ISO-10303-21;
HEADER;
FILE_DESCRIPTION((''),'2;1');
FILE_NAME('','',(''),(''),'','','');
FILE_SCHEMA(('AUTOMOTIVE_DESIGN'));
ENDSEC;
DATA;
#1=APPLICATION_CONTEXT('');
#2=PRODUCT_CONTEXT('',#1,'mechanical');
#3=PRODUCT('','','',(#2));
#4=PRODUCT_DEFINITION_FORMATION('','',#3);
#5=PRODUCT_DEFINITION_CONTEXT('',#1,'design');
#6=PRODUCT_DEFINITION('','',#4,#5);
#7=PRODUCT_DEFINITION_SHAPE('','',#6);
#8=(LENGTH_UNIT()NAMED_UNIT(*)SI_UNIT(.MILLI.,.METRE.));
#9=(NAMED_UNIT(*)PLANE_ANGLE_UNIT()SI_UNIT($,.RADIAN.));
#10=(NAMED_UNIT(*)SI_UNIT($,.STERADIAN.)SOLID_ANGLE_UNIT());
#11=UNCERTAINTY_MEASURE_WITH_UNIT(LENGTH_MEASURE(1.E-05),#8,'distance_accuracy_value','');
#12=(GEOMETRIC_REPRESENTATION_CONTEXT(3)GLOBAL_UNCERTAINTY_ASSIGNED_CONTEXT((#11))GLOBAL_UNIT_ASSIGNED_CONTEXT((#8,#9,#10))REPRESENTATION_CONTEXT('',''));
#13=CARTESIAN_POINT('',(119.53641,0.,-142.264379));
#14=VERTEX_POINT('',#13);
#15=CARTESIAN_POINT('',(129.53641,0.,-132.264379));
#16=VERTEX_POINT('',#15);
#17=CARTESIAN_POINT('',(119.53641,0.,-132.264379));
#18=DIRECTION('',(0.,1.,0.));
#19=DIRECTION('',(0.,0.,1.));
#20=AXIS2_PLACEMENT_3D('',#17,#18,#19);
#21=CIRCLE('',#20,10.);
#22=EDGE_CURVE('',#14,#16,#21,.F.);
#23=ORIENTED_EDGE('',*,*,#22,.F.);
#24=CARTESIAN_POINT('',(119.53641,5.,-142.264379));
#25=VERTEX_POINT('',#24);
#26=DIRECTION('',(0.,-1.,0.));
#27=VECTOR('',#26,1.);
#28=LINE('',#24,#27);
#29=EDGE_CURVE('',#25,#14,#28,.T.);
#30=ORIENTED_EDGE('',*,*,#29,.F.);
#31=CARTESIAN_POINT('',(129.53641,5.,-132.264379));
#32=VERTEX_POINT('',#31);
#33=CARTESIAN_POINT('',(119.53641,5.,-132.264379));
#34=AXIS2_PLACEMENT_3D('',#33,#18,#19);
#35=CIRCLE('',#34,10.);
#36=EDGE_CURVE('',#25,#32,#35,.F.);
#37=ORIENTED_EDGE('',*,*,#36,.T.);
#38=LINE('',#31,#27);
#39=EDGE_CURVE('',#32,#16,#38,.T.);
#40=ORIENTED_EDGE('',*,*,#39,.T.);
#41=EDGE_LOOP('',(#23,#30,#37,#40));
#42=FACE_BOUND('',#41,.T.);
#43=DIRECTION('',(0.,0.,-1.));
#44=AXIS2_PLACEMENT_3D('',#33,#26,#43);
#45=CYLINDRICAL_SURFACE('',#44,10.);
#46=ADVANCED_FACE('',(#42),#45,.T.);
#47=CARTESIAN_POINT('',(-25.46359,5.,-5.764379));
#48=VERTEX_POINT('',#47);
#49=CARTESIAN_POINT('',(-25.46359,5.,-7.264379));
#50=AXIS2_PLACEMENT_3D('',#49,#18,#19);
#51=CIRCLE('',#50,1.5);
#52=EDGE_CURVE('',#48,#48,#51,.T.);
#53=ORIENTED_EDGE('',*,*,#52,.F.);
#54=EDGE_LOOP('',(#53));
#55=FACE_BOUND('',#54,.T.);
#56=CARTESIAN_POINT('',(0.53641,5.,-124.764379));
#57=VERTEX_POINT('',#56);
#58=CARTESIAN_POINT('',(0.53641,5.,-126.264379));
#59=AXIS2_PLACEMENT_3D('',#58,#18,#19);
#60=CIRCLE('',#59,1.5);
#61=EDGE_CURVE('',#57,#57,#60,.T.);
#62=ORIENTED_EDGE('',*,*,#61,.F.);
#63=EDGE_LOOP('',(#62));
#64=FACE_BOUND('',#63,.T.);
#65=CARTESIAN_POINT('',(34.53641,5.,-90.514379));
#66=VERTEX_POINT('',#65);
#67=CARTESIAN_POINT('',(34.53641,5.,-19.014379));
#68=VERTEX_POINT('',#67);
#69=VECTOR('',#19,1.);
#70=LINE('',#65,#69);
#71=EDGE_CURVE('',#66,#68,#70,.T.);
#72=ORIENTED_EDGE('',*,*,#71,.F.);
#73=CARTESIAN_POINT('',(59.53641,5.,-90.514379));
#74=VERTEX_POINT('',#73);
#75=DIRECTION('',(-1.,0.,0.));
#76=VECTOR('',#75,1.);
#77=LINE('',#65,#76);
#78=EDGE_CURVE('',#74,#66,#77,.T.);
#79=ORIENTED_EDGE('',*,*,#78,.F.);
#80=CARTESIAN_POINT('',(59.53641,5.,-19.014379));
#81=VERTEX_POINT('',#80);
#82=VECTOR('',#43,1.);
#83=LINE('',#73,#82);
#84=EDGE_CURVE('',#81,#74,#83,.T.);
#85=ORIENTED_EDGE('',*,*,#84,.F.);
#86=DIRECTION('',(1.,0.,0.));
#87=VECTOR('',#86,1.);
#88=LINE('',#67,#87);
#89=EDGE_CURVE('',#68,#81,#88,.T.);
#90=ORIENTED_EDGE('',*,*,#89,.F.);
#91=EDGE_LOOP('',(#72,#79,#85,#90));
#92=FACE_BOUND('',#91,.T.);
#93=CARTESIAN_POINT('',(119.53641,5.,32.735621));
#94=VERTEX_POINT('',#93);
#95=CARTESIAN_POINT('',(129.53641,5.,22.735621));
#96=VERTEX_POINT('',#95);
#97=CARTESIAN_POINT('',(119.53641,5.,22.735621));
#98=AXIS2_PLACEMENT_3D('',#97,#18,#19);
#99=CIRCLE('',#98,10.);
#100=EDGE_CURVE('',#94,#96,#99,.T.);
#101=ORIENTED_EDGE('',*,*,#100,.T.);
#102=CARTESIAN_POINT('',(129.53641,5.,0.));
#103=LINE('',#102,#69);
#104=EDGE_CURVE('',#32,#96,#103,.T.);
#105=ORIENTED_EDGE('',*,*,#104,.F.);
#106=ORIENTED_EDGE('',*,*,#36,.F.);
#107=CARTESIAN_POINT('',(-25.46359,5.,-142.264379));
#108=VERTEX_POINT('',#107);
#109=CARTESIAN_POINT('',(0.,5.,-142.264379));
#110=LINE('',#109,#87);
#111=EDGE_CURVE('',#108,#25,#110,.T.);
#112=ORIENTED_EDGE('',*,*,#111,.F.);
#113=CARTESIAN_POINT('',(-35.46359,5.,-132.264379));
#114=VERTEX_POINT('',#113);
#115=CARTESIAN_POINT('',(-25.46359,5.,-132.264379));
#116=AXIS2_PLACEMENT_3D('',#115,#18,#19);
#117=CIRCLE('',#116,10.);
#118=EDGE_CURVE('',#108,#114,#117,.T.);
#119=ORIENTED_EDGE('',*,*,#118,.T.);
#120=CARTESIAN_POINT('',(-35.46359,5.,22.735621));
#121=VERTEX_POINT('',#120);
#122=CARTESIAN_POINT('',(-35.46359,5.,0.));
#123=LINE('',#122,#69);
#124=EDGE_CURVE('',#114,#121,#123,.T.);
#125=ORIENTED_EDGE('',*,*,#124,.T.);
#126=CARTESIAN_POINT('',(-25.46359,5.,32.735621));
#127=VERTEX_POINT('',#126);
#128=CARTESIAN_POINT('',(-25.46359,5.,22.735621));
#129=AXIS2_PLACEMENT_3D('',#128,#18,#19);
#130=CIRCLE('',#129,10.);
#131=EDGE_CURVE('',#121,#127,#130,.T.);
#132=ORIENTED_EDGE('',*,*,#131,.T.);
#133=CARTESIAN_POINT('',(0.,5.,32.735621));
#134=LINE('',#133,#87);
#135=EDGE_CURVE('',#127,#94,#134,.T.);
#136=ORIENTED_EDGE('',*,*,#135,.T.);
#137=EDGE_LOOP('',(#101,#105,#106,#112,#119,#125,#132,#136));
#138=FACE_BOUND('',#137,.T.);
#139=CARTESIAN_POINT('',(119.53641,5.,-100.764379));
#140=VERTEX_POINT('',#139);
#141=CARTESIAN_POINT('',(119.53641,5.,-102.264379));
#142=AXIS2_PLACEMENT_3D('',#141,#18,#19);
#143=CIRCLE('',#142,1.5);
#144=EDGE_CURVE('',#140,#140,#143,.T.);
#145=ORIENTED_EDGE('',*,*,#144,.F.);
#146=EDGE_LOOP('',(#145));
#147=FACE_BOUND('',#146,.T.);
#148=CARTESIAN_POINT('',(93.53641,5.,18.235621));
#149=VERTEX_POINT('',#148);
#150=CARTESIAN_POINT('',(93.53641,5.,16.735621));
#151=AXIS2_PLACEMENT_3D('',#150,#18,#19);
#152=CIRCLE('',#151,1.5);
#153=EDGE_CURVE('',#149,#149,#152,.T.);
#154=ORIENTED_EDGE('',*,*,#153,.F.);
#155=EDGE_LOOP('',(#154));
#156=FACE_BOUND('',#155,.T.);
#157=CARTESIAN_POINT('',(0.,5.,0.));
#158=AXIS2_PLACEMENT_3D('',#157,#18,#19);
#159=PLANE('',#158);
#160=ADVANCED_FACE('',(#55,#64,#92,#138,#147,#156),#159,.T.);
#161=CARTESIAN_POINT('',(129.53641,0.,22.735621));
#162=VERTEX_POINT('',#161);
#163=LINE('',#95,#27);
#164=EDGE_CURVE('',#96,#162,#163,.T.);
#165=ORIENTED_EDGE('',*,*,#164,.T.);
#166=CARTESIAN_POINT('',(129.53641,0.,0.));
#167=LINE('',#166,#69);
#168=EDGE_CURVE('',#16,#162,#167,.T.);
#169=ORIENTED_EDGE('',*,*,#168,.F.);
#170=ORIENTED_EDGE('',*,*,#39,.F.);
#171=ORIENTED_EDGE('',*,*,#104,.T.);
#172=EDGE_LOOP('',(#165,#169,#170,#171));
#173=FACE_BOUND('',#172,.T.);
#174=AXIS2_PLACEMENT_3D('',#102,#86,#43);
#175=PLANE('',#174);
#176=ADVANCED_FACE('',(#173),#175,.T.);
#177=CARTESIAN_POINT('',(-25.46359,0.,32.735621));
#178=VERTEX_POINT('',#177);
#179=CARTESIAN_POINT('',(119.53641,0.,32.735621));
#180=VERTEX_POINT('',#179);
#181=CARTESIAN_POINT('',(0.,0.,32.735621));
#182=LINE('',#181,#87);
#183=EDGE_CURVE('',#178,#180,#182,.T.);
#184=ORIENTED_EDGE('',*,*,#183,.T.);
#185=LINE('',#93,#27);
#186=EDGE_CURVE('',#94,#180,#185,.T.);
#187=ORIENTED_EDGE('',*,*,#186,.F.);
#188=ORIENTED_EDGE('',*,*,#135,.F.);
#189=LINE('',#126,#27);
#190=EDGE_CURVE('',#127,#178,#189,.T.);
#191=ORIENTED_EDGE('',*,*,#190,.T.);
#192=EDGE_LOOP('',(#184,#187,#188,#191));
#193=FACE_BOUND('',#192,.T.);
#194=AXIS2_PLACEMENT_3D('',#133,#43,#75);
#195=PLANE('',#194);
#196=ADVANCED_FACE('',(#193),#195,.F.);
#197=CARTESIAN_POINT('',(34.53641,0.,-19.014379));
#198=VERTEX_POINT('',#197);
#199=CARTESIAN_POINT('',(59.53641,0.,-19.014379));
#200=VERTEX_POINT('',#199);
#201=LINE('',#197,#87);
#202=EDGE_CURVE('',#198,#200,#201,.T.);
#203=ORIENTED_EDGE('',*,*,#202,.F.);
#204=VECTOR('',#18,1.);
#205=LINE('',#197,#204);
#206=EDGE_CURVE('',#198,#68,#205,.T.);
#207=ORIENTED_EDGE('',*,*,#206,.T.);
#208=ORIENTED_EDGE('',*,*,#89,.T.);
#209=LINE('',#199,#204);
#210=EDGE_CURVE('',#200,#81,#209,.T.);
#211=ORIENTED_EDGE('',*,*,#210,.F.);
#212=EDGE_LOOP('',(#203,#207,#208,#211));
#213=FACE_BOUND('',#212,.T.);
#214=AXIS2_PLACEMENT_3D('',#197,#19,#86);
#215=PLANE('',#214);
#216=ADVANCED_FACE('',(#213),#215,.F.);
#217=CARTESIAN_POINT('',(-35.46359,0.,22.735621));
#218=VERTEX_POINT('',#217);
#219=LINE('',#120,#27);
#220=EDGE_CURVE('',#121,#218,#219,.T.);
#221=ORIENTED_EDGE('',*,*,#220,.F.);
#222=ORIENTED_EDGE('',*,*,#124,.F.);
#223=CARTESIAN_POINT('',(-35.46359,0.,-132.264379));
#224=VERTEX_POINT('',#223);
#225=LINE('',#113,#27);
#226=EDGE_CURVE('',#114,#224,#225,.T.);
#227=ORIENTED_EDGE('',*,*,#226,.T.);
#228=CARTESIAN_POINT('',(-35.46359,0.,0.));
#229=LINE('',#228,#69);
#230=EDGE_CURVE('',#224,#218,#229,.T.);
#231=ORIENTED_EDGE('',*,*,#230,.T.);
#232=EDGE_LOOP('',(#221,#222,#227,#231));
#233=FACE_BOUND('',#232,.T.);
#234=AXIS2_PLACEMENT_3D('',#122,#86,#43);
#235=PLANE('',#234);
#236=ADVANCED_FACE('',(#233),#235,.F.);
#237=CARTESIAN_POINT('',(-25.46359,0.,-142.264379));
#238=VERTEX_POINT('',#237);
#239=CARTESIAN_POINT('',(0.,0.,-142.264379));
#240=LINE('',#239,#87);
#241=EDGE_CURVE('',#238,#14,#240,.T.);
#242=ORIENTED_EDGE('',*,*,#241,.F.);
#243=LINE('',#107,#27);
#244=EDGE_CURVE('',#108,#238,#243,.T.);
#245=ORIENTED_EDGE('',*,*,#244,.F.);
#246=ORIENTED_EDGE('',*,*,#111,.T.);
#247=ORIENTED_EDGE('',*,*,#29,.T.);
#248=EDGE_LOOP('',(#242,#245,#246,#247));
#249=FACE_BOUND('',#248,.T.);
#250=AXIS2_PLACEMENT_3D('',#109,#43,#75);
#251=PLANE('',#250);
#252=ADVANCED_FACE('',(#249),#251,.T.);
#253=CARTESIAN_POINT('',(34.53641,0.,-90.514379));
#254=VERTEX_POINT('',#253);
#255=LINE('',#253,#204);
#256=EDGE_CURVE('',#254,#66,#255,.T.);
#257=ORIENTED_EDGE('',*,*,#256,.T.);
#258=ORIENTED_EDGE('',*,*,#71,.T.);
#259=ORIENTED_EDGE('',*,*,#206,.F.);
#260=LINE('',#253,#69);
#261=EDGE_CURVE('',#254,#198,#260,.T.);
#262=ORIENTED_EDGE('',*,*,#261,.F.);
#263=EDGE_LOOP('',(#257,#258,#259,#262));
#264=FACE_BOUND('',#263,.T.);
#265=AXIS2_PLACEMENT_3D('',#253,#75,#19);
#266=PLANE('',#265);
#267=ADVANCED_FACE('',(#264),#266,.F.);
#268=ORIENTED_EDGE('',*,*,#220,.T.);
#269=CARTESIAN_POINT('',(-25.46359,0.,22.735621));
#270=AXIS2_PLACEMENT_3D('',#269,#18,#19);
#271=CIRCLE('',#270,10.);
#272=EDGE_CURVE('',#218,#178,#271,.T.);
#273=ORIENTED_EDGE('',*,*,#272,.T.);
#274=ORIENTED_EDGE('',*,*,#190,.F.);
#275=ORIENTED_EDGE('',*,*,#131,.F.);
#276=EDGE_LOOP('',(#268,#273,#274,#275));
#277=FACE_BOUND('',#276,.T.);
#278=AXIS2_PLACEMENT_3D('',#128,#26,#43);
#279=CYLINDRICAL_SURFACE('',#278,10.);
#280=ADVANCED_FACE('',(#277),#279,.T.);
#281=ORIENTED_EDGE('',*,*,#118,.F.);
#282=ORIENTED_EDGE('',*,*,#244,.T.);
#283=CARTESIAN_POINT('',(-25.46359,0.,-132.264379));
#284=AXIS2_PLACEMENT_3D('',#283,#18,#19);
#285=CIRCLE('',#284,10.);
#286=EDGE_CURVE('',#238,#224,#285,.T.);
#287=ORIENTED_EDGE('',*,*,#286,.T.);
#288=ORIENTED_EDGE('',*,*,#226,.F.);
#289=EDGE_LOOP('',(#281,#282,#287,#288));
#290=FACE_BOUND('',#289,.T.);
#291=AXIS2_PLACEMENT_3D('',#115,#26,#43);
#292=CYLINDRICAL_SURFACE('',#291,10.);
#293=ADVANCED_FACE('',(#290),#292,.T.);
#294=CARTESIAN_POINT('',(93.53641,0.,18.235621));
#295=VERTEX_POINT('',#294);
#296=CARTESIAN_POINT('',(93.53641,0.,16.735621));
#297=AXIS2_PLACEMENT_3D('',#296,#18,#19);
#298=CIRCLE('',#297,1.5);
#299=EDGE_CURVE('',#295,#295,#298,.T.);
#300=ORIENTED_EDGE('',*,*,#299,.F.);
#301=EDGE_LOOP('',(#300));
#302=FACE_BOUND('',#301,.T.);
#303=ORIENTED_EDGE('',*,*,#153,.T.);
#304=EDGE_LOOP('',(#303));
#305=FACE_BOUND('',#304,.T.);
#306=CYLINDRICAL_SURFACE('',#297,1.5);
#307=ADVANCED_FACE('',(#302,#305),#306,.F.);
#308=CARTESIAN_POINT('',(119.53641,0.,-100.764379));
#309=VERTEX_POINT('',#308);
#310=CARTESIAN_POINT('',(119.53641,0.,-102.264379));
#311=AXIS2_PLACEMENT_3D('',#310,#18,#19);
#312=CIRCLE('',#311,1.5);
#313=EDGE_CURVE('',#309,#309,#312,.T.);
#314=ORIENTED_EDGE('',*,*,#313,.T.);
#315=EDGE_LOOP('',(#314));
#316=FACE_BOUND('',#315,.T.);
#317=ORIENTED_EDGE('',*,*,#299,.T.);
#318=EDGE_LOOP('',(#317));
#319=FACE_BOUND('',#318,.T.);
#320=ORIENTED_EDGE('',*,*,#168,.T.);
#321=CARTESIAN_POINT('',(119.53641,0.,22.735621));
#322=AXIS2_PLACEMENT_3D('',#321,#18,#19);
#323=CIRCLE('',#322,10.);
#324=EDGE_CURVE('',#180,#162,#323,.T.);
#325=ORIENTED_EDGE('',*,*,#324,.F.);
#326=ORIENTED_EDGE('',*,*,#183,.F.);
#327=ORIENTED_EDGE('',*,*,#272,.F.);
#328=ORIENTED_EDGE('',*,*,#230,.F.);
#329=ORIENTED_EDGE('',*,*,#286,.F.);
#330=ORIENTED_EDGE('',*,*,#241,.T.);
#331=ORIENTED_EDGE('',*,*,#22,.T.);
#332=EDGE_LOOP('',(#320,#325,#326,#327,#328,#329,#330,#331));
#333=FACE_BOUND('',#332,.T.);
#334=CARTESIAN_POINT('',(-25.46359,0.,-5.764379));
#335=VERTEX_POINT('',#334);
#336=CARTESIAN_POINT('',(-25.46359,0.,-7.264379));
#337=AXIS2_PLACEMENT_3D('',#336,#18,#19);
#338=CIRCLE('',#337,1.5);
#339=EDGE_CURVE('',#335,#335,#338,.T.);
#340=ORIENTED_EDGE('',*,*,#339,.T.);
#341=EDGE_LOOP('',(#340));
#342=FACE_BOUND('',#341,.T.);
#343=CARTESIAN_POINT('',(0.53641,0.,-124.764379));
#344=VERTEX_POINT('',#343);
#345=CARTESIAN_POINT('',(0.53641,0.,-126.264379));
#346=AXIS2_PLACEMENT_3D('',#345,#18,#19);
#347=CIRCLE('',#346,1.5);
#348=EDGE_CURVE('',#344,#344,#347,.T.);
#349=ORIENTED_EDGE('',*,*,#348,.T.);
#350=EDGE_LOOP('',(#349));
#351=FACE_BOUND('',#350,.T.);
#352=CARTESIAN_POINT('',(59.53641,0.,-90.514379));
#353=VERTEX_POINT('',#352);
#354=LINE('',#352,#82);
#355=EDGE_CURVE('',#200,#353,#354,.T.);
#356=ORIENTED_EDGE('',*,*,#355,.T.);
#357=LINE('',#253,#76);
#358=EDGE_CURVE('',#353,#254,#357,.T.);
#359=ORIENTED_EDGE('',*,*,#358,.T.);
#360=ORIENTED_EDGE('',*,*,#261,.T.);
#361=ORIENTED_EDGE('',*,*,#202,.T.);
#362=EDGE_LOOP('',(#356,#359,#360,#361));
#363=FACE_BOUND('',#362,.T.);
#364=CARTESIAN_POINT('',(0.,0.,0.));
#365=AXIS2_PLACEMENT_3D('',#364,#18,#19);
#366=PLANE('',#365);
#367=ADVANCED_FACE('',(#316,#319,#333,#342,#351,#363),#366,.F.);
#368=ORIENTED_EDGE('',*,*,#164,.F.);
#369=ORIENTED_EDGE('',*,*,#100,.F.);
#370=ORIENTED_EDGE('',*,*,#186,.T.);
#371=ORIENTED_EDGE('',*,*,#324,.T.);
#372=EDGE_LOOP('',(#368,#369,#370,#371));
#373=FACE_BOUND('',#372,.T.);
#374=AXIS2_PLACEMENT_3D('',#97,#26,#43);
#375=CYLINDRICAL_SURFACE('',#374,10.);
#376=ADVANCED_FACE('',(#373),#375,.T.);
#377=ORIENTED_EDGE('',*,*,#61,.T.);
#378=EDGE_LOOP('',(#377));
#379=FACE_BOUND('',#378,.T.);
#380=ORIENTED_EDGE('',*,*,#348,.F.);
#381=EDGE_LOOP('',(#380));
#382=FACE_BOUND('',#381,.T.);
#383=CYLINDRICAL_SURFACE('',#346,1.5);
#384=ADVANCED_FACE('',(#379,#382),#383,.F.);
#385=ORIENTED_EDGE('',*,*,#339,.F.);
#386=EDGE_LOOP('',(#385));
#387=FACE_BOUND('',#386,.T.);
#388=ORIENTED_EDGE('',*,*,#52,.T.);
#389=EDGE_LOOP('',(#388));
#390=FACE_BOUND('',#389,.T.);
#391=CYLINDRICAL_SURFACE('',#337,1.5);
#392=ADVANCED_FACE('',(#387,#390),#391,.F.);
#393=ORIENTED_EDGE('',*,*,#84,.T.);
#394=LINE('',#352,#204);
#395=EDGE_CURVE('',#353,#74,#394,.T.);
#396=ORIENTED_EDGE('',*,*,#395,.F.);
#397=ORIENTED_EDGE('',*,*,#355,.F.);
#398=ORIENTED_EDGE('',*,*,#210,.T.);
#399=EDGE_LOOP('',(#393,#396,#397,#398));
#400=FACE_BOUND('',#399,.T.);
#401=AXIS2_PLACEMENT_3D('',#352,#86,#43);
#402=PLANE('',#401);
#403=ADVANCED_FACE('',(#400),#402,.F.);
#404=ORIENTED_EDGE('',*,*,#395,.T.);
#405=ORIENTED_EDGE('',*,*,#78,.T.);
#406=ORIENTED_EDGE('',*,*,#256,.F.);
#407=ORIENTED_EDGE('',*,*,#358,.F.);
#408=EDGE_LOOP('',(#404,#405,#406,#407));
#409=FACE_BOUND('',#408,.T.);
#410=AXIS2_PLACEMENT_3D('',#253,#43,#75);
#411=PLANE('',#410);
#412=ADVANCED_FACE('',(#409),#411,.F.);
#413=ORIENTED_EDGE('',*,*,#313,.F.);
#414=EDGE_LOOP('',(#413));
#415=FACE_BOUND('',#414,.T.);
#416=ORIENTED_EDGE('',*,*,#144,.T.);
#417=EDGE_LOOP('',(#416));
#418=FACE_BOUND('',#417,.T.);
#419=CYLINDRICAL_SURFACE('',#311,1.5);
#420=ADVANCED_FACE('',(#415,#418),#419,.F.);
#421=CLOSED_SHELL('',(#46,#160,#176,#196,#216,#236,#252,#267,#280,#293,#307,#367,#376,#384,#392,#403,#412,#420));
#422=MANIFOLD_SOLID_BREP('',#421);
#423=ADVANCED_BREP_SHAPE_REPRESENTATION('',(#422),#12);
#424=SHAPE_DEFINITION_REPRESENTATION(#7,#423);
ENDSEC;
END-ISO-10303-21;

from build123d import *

# Parameters (mm, degrees)
RESSALTO_EXTRUS_O1_DEPTH = 5
ESBO_O2_R                = 1.5
CORTE_EXTRUS_O1_DEPTH    = 5
ESBO_O3_W                = 25
ESBO_O3_H                = 71.5
CORTE_EXTRUS_O2_DEPTH    = 5


with BuildPart() as part:
    # Esboço1 → Ressalto-extrusão1 (new body)
    with BuildSketch(Plane(origin=(0, 0, 0), x_dir=(1, 0, 0), z_dir=(0, 1, 0))):
        with BuildLine():
            Line((-25.463589741, 142.264378701), (119.536410259, 142.264378701))
            ThreePointArc((119.536410259, 142.264378701), (126.607478071, 139.335446513), (129.536410259, 132.264378701))
            Line((129.536410259, 132.264378701), (129.536410259, -22.735621299))
            ThreePointArc((129.536410259, -22.735621299), (126.607478071, -29.806689111), (119.536410259, -32.735621299))
            Line((119.536410259, -32.735621299), (-25.463589741, -32.735621299))
            ThreePointArc((-25.463589741, -32.735621299), (-32.534657553, -29.806689111), (-35.463589741, -22.735621299))
            Line((-35.463589741, -22.735621299), (-35.463589741, 132.264378701))
            ThreePointArc((-35.463589741, 132.264378701), (-32.534657553, 139.335446513), (-25.463589741, 142.264378701))
        make_face()
    extrude(amount=RESSALTO_EXTRUS_O1_DEPTH)

    # Esboço2 → Corte-extrusão1 (cut)
    with BuildSketch(Plane(origin=(0, 5, 0), x_dir=(1, 0, 0), z_dir=(0, 1, 0))):
        with Locations(Location((-25.463589741, 7.264378701, 0), (0, 0, 270))):
            Circle(ESBO_O2_R)
        with Locations(Location((0.536410259, 126.264378701, 0), (0, 0, 270))):
            Circle(ESBO_O2_R)
        with Locations(Location((119.536410259, 102.264378701, 0), (0, 0, 270))):
            Circle(ESBO_O2_R)
        with Locations(Location((93.536410259, -16.735621299, 0), (0, 0, 270))):
            Circle(ESBO_O2_R)
    extrude(amount=-CORTE_EXTRUS_O1_DEPTH, mode=Mode.SUBTRACT)

    # Esboço3 → Corte-extrusão2 (cut)
    with BuildSketch(Plane(origin=(0, 5, 0), x_dir=(1, 0, 0), z_dir=(0, 1, 0))):
        with Locations((47.036410259, 54.764378701)):
            Rectangle(ESBO_O3_W, ESBO_O3_H)
    extrude(amount=-CORTE_EXTRUS_O2_DEPTH, mode=Mode.SUBTRACT)


solid = part.part
